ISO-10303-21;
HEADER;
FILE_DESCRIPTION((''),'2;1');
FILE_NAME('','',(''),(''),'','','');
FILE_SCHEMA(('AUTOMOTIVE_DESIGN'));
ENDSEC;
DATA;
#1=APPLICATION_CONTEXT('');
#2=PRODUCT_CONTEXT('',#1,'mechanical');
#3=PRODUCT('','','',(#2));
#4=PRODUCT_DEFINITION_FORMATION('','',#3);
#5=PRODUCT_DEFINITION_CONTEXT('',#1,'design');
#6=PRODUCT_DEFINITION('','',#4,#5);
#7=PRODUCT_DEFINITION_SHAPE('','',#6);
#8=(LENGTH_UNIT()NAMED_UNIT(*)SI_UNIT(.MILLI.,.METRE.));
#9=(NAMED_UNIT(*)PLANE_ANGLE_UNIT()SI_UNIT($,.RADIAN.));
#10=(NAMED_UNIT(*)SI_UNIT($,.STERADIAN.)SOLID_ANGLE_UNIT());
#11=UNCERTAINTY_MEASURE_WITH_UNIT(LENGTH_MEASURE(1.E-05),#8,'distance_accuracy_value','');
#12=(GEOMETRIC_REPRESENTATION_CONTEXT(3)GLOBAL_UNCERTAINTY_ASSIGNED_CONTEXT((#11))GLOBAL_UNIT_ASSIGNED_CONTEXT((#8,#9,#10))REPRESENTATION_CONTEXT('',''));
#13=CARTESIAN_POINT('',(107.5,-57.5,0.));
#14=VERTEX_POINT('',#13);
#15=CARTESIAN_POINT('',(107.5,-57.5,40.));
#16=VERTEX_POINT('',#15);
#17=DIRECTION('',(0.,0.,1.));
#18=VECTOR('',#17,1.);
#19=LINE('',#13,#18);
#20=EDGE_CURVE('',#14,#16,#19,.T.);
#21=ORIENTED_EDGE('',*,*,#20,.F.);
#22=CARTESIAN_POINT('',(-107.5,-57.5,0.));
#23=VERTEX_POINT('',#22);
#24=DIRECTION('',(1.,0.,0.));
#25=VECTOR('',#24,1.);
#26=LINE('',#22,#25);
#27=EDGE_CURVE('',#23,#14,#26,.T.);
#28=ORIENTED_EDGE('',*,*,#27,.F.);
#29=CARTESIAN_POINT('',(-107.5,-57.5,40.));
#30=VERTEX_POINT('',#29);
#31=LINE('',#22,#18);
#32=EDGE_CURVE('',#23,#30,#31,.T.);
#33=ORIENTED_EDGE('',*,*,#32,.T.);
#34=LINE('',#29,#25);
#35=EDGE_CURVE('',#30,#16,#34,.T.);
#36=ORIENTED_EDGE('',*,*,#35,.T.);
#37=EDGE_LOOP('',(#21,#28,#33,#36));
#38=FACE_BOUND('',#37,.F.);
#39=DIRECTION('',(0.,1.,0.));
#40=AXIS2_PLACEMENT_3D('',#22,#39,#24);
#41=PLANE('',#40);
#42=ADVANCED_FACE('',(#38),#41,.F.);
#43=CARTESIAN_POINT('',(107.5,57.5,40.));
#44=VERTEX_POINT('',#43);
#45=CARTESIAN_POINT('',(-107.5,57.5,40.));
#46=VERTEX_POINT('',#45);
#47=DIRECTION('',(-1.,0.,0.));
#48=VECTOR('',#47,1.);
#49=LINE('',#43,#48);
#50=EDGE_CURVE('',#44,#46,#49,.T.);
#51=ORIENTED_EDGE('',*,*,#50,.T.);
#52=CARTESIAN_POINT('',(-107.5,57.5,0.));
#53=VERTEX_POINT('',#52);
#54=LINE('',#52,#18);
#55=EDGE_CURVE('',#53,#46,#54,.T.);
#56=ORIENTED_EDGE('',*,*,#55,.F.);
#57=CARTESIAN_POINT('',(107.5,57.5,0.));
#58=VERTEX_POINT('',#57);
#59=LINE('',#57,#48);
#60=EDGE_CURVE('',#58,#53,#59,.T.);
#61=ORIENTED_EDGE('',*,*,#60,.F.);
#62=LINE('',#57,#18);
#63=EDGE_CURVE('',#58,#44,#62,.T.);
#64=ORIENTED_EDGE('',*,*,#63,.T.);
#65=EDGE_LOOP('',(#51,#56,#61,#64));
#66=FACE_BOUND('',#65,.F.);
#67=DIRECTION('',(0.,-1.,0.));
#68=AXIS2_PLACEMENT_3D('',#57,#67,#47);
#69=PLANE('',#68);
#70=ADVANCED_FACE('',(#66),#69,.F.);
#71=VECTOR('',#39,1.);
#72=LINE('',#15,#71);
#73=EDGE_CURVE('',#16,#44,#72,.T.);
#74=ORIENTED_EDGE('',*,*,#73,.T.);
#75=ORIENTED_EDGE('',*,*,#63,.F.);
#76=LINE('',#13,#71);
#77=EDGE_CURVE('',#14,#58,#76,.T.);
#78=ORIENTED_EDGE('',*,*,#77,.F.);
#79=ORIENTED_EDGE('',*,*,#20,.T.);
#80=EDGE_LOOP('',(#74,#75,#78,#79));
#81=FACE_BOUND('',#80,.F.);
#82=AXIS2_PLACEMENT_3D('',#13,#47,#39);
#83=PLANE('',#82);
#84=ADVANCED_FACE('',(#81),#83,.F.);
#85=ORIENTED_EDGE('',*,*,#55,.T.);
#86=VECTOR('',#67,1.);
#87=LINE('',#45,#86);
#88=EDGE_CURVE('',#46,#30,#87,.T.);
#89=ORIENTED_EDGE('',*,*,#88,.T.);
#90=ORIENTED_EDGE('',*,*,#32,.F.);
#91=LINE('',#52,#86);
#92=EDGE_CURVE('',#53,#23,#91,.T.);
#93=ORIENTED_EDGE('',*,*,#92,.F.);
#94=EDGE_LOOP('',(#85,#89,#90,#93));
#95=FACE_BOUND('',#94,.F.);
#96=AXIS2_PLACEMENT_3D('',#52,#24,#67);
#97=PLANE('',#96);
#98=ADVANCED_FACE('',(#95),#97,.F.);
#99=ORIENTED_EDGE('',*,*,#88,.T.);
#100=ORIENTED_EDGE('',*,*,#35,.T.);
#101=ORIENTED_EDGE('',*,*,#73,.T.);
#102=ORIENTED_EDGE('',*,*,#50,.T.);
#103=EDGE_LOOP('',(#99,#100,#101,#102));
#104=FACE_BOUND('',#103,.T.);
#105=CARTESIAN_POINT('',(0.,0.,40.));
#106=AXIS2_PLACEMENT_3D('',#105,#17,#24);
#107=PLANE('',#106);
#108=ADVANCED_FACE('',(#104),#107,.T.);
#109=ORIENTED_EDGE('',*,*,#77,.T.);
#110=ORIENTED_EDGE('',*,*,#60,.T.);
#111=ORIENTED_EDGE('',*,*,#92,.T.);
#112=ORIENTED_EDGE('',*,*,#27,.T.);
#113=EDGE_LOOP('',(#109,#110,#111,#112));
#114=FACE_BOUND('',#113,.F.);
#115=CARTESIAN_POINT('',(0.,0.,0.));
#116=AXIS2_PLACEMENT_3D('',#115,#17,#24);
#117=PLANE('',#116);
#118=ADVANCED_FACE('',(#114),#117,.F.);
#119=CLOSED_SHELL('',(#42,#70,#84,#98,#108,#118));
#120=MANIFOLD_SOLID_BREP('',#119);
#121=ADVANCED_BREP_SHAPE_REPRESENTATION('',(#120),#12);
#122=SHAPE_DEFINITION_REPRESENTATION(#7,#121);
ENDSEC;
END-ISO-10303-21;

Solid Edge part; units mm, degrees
sketch "Sketch1" plane through (0, 0, 0) normal (0, 0, 1) x (1, 0, 0)
  line L0 (-107.5, -57.5) -> (107.5, -57.5)
  line L1 (107.5, -57.5) -> (107.5, 57.5)
  line L2 (107.5, 57.5) -> (-107.5, 57.5)
  line L3 (-107.5, 57.5) -> (-107.5, -57.5)
extrude "Protrusion1" add sketch "Sketch1" along normal blind 40
